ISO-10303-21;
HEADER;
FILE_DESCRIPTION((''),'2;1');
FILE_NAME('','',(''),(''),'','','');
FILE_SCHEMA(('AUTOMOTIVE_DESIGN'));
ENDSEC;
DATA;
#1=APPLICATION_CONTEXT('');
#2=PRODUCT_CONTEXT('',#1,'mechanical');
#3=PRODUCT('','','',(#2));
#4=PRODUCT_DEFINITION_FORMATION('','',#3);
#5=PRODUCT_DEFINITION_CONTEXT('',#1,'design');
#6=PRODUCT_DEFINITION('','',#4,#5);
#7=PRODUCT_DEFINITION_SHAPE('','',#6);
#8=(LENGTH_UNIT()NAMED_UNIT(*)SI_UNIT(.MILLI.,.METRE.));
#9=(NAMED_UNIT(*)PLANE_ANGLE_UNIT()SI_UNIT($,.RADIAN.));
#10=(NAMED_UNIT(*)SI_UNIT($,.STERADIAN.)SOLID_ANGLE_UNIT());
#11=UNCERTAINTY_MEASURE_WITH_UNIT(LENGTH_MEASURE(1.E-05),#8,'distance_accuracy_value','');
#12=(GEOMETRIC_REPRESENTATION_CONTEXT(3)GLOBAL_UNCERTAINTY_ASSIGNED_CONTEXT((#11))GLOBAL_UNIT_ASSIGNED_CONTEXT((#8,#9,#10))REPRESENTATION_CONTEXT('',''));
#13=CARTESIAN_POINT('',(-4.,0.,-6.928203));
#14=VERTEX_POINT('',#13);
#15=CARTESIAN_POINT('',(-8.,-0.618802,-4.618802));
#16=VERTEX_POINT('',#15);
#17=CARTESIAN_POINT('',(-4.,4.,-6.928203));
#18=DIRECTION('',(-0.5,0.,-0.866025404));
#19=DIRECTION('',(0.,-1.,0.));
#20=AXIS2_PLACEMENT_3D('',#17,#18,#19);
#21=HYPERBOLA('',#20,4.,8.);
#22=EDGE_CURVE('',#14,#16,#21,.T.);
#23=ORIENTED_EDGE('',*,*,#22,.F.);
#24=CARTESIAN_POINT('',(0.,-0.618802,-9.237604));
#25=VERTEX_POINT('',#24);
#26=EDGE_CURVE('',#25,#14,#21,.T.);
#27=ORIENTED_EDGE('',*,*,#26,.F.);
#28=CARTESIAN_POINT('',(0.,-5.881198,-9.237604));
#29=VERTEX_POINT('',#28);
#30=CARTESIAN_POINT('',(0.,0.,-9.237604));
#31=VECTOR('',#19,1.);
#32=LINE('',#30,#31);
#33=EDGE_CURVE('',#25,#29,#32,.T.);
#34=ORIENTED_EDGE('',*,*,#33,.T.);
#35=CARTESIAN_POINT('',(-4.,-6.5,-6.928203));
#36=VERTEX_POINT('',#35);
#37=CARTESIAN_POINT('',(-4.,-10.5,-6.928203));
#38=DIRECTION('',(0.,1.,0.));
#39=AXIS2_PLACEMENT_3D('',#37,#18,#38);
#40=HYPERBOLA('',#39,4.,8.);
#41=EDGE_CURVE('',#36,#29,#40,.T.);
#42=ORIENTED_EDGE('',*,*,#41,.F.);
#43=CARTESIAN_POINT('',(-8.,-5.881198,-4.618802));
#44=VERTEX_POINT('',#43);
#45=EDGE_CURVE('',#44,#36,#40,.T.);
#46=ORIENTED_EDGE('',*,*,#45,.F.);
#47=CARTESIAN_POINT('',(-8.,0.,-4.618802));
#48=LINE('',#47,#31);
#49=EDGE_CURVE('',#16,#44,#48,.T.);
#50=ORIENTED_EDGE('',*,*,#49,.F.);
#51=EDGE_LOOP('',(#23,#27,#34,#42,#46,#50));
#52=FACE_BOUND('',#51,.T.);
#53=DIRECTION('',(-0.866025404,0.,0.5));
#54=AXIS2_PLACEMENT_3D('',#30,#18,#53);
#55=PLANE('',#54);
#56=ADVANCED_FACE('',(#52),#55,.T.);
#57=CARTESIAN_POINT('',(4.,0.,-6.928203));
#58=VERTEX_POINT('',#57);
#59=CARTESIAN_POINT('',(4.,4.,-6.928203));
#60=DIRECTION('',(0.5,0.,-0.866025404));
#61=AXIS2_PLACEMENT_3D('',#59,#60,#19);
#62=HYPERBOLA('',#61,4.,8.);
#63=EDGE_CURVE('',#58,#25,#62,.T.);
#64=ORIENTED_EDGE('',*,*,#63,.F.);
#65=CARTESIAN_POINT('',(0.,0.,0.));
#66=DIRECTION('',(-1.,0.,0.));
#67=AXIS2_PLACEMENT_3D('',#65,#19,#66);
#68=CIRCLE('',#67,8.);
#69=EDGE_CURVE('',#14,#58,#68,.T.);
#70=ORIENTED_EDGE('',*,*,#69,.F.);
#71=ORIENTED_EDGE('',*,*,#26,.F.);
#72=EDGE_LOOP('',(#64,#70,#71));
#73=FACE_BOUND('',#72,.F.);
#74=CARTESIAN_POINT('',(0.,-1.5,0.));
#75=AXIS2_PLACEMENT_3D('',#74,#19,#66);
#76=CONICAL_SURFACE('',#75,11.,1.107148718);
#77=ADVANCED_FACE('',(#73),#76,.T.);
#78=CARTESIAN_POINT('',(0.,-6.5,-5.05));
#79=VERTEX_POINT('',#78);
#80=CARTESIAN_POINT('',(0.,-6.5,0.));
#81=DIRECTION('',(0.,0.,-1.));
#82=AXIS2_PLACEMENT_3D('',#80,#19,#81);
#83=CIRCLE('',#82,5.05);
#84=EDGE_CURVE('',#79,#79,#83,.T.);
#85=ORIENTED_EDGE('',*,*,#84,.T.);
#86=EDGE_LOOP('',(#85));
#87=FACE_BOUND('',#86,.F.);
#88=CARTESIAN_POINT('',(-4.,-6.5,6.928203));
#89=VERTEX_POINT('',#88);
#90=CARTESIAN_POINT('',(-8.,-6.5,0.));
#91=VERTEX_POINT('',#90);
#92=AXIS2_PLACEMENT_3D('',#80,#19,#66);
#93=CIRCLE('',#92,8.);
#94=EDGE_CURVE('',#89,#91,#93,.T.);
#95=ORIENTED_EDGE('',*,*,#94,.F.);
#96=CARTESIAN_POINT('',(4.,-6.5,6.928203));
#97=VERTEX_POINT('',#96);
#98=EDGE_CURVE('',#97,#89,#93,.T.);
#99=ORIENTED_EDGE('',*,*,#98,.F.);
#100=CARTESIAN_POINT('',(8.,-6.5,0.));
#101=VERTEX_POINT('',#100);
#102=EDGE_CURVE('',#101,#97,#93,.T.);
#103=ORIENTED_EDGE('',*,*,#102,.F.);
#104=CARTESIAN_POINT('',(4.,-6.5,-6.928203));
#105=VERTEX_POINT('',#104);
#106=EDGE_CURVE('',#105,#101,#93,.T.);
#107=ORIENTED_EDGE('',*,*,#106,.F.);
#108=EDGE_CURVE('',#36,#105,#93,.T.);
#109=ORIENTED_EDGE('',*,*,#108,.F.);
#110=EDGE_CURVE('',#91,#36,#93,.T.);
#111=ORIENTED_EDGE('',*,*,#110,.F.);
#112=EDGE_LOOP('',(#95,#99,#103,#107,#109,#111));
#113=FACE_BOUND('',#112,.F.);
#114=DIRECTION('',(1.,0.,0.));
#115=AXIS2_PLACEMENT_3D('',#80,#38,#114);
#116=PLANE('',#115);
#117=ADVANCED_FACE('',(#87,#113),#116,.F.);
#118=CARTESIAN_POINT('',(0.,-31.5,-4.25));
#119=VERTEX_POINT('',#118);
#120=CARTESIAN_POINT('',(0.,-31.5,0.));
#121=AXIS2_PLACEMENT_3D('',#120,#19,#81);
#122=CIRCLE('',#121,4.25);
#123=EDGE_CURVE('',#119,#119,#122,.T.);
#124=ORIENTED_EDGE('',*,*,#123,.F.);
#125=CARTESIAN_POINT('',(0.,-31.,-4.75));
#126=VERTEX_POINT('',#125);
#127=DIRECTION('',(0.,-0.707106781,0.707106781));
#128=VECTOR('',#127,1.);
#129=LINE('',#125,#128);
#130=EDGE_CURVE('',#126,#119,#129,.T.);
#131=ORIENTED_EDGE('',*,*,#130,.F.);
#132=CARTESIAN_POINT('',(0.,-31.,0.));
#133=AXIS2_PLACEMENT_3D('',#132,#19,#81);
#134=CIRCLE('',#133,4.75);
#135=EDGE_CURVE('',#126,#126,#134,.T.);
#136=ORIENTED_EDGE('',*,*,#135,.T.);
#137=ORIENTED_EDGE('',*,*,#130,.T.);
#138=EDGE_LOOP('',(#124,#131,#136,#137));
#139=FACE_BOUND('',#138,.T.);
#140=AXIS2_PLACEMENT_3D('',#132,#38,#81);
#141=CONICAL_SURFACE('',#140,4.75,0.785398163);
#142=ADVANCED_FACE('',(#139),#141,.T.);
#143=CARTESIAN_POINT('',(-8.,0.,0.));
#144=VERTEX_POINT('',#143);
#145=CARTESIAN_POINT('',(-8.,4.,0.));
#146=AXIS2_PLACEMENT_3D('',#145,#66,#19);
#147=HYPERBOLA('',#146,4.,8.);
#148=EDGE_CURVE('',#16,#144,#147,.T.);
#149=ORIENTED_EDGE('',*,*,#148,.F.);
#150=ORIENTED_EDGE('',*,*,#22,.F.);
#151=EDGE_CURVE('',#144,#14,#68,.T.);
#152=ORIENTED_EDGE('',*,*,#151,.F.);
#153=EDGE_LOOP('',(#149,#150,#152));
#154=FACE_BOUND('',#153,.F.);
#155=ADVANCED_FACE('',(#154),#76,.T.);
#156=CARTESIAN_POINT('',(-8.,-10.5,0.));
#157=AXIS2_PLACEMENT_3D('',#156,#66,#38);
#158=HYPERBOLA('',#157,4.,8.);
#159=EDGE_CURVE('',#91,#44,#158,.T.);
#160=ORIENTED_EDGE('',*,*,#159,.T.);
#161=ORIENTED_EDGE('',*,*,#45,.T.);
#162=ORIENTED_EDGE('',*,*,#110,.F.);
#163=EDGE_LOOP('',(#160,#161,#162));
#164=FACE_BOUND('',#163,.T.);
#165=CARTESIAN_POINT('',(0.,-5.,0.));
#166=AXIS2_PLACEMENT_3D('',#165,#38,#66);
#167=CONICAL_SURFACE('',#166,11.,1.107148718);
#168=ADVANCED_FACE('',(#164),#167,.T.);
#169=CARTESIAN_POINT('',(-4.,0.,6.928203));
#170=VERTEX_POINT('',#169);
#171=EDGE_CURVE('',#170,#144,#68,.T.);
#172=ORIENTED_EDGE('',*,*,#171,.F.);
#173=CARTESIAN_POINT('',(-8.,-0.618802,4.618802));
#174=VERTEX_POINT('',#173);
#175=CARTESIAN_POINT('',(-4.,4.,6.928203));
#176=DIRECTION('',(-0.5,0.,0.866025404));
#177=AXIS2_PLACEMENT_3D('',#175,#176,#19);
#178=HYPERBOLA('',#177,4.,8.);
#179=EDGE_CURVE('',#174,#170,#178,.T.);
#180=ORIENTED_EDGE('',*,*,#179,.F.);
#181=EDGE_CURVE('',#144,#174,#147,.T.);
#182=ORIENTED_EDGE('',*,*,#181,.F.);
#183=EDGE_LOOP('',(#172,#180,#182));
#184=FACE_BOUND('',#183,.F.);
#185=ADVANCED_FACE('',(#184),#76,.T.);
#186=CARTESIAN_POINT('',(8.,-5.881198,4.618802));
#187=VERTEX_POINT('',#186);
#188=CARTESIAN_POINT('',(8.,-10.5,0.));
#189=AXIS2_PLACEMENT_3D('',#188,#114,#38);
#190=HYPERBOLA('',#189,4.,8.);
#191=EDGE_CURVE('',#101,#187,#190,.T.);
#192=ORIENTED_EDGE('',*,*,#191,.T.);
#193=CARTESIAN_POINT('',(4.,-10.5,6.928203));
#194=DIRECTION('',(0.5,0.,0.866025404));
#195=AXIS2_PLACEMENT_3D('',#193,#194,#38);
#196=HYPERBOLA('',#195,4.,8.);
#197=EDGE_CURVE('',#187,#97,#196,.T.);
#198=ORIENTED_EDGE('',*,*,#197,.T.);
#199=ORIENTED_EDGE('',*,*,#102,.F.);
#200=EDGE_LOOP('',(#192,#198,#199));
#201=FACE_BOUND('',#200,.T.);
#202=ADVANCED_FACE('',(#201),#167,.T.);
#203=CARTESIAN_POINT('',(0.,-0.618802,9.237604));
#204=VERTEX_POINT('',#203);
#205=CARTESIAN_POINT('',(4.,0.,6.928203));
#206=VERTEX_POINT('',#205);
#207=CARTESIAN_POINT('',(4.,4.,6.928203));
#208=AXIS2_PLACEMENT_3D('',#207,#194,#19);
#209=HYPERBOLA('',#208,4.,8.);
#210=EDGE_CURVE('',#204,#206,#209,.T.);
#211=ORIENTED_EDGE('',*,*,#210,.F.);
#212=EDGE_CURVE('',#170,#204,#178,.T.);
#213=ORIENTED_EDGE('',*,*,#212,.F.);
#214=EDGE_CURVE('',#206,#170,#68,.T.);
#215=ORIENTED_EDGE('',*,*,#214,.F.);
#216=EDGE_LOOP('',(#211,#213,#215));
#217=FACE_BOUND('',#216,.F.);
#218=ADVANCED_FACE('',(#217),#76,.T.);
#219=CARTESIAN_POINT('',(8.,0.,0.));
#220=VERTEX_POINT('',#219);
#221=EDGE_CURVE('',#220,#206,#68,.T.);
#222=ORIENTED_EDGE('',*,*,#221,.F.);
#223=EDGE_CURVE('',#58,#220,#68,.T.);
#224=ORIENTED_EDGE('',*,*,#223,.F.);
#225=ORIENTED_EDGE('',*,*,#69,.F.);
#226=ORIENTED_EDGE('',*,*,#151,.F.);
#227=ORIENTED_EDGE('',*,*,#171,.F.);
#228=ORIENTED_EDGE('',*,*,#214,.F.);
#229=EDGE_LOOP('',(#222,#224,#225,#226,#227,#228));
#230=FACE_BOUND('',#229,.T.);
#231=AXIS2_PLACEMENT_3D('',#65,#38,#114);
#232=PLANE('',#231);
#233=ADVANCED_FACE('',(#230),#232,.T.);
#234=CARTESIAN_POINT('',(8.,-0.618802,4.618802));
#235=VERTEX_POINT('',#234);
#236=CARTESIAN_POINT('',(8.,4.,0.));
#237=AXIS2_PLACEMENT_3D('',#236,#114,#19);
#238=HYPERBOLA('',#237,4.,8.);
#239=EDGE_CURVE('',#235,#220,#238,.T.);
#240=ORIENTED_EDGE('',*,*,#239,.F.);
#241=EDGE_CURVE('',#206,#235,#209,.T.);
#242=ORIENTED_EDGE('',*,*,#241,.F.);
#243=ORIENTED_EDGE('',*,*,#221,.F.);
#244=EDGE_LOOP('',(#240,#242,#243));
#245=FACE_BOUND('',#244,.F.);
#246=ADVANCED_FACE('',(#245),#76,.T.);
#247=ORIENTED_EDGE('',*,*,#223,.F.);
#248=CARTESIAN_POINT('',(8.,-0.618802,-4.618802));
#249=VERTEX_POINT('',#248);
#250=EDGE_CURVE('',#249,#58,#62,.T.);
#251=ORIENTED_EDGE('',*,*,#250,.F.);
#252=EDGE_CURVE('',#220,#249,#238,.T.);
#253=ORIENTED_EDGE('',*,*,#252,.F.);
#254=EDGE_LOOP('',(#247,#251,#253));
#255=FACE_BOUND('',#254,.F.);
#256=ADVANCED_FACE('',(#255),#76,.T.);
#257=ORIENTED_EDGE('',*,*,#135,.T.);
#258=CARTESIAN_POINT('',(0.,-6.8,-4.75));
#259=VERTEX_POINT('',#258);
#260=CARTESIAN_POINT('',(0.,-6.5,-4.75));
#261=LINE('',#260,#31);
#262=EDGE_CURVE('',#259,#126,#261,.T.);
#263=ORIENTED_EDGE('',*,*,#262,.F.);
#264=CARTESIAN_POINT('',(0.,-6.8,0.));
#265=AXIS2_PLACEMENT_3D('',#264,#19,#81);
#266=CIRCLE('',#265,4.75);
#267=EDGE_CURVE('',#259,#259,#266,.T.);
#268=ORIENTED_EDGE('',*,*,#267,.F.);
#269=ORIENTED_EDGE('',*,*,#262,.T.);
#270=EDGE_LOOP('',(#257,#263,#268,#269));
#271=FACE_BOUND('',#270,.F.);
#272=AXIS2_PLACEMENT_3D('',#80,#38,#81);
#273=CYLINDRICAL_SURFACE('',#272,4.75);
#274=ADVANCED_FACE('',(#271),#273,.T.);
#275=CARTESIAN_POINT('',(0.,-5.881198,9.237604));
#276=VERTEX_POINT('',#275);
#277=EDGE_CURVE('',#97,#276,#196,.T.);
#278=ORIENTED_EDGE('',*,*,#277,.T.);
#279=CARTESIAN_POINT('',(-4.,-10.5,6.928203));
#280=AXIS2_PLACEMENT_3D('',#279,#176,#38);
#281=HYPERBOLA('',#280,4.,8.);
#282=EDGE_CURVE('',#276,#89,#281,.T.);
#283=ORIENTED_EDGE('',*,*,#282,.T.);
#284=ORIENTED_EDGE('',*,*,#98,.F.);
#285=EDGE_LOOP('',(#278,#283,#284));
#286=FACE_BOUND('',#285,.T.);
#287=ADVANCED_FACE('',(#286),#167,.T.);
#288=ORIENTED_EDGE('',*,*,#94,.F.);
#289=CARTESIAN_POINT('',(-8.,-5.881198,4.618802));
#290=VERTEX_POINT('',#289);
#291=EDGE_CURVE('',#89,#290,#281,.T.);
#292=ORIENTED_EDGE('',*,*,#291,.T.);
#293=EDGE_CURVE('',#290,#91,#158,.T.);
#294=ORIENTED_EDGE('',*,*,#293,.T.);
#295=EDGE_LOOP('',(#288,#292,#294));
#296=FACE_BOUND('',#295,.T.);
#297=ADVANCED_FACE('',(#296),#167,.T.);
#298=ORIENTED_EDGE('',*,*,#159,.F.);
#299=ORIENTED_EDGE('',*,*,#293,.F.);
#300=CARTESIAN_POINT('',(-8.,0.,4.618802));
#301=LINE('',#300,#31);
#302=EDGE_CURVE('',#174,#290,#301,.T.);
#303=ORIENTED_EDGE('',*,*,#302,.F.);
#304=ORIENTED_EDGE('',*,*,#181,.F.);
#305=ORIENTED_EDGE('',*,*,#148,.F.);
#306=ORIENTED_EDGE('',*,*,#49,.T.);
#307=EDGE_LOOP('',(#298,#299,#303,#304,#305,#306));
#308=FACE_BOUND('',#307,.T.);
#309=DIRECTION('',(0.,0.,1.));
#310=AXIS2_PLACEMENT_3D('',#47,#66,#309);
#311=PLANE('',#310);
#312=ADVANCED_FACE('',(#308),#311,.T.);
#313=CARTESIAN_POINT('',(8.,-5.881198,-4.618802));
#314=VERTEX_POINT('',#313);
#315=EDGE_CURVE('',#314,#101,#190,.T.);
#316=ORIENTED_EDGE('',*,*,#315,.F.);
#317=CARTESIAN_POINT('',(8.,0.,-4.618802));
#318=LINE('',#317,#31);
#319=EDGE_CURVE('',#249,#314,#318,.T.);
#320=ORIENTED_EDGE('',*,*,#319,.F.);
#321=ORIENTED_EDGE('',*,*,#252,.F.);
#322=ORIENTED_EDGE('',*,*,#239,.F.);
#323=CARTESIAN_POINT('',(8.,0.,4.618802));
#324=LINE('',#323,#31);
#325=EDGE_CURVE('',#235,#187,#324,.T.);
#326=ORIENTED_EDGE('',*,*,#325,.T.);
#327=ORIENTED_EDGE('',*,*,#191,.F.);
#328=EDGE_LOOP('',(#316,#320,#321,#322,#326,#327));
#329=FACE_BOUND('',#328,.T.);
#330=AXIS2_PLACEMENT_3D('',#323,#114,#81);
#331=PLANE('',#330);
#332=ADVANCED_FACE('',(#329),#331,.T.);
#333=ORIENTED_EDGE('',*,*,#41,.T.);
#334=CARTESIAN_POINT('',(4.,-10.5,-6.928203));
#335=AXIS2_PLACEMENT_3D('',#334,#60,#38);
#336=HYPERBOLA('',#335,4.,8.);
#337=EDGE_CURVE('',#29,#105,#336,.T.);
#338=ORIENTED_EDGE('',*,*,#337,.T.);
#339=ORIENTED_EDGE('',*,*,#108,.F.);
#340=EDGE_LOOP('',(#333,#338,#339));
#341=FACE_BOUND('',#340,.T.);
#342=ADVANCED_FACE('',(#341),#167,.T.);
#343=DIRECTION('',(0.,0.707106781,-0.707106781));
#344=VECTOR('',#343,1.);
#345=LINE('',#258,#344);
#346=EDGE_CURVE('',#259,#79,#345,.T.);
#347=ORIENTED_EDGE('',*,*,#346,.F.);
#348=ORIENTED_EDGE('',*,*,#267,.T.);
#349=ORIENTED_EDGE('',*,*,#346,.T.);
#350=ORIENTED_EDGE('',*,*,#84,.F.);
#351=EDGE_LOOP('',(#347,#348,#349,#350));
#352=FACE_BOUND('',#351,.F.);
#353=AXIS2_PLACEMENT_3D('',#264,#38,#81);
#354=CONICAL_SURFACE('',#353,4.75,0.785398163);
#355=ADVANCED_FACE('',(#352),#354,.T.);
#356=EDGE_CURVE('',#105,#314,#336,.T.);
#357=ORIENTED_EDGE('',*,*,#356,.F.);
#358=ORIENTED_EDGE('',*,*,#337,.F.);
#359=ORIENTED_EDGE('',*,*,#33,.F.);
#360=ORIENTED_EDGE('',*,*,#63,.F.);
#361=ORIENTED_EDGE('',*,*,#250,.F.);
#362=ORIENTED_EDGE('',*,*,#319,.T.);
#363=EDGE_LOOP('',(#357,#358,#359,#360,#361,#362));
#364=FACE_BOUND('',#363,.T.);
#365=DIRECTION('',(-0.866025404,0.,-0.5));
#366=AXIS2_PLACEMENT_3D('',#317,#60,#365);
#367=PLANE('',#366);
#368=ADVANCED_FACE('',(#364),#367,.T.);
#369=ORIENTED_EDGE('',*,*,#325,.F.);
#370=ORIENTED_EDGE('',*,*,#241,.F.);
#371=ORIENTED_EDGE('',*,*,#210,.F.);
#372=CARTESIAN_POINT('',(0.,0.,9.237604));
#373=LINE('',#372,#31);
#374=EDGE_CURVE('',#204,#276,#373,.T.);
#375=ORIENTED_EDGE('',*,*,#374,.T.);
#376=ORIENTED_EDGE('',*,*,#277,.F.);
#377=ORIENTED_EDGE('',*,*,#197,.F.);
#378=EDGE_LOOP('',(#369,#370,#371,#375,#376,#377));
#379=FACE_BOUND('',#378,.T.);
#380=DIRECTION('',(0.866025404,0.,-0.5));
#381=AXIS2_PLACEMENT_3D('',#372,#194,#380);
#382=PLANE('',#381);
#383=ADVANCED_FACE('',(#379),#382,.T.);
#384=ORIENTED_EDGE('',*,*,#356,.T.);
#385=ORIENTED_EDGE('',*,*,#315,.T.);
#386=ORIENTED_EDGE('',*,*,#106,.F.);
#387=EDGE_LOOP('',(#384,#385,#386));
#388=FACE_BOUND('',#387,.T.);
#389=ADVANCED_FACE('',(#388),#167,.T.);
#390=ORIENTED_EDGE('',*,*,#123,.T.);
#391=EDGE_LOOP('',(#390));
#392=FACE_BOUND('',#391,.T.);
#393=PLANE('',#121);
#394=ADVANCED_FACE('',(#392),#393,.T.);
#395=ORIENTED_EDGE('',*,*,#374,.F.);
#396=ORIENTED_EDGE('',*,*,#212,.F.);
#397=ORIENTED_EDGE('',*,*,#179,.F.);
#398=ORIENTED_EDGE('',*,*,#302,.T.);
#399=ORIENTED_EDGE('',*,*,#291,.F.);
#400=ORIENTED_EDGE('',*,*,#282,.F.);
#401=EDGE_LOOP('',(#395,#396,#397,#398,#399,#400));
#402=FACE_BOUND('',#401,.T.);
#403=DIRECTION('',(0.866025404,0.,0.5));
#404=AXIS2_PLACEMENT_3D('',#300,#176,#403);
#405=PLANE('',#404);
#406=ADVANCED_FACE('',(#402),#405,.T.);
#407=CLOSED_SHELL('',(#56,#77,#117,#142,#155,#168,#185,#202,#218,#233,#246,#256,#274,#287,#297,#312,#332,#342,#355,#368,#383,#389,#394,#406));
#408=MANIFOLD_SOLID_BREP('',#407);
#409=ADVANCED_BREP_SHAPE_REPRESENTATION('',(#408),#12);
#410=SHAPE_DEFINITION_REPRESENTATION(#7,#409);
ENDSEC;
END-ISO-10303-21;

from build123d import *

# Parameters (mm, degrees)
BOSS_EXTRUDE1_DEPTH = 6.5
SKETCH3_R           = 4.75
BOSS_EXTRUDE2_DEPTH = 25
CHAMFER1_SIZE       = 0.5
CHAMFER2_SIZE       = 0.3


with BuildPart() as part:
    # Sketch1 → Boss-Extrude1 (new body)
    with BuildSketch(Plane(origin=(0, 0, 0), x_dir=(1, 0, 0), z_dir=(0, 1, 0))):
        Polygon((0, 9.237604307), (-8, 4.618802154), (-8, -4.618802154), (0, -9.237604307), (8, -4.618802154), (8, 4.618802154), align=None)
    extrude(amount=-BOSS_EXTRUDE1_DEPTH)

    # Sketch2 → Cut-Revolve1 (revolve, cut)
    with BuildSketch(Plane.XY):
        Polygon((-11, -1.5), (-8, 0), (-8, 1), (-11, 1), align=None)
    cut_revolve1 = revolve(axis=Axis((0, 50, 0), (0, -1, 0)), mode=Mode.SUBTRACT)

    # Sketch3 → Boss-Extrude2 (add)
    with BuildSketch(Plane.XZ.offset(6.5)):
        with Locations(Location((0, 0, 0), (0, 0, 270))):
            Circle(SKETCH3_R)
    extrude(amount=BOSS_EXTRUDE2_DEPTH)

    # Chamfer1
    chamfer1_edges = [part.edges().sort_by_distance(p)[0] for p in [
        (0, -31.5, 4.75),
    ]]
    chamfer(chamfer1_edges, length=CHAMFER1_SIZE)

    # Mirror1: Cut-Revolve1 across plane
    add(cut_revolve1.mirror(Plane(origin=(0, -3.25, 0), x_dir=(0, 0, 1), z_dir=(0, -1, 0))), mode=Mode.SUBTRACT)

    # Chamfer2
    chamfer2_edges = [part.edges().sort_by_distance(p)[0] for p in [
        (0, -6.5, 4.75),
    ]]
    chamfer(chamfer2_edges, length=CHAMFER2_SIZE)


solid = part.part
